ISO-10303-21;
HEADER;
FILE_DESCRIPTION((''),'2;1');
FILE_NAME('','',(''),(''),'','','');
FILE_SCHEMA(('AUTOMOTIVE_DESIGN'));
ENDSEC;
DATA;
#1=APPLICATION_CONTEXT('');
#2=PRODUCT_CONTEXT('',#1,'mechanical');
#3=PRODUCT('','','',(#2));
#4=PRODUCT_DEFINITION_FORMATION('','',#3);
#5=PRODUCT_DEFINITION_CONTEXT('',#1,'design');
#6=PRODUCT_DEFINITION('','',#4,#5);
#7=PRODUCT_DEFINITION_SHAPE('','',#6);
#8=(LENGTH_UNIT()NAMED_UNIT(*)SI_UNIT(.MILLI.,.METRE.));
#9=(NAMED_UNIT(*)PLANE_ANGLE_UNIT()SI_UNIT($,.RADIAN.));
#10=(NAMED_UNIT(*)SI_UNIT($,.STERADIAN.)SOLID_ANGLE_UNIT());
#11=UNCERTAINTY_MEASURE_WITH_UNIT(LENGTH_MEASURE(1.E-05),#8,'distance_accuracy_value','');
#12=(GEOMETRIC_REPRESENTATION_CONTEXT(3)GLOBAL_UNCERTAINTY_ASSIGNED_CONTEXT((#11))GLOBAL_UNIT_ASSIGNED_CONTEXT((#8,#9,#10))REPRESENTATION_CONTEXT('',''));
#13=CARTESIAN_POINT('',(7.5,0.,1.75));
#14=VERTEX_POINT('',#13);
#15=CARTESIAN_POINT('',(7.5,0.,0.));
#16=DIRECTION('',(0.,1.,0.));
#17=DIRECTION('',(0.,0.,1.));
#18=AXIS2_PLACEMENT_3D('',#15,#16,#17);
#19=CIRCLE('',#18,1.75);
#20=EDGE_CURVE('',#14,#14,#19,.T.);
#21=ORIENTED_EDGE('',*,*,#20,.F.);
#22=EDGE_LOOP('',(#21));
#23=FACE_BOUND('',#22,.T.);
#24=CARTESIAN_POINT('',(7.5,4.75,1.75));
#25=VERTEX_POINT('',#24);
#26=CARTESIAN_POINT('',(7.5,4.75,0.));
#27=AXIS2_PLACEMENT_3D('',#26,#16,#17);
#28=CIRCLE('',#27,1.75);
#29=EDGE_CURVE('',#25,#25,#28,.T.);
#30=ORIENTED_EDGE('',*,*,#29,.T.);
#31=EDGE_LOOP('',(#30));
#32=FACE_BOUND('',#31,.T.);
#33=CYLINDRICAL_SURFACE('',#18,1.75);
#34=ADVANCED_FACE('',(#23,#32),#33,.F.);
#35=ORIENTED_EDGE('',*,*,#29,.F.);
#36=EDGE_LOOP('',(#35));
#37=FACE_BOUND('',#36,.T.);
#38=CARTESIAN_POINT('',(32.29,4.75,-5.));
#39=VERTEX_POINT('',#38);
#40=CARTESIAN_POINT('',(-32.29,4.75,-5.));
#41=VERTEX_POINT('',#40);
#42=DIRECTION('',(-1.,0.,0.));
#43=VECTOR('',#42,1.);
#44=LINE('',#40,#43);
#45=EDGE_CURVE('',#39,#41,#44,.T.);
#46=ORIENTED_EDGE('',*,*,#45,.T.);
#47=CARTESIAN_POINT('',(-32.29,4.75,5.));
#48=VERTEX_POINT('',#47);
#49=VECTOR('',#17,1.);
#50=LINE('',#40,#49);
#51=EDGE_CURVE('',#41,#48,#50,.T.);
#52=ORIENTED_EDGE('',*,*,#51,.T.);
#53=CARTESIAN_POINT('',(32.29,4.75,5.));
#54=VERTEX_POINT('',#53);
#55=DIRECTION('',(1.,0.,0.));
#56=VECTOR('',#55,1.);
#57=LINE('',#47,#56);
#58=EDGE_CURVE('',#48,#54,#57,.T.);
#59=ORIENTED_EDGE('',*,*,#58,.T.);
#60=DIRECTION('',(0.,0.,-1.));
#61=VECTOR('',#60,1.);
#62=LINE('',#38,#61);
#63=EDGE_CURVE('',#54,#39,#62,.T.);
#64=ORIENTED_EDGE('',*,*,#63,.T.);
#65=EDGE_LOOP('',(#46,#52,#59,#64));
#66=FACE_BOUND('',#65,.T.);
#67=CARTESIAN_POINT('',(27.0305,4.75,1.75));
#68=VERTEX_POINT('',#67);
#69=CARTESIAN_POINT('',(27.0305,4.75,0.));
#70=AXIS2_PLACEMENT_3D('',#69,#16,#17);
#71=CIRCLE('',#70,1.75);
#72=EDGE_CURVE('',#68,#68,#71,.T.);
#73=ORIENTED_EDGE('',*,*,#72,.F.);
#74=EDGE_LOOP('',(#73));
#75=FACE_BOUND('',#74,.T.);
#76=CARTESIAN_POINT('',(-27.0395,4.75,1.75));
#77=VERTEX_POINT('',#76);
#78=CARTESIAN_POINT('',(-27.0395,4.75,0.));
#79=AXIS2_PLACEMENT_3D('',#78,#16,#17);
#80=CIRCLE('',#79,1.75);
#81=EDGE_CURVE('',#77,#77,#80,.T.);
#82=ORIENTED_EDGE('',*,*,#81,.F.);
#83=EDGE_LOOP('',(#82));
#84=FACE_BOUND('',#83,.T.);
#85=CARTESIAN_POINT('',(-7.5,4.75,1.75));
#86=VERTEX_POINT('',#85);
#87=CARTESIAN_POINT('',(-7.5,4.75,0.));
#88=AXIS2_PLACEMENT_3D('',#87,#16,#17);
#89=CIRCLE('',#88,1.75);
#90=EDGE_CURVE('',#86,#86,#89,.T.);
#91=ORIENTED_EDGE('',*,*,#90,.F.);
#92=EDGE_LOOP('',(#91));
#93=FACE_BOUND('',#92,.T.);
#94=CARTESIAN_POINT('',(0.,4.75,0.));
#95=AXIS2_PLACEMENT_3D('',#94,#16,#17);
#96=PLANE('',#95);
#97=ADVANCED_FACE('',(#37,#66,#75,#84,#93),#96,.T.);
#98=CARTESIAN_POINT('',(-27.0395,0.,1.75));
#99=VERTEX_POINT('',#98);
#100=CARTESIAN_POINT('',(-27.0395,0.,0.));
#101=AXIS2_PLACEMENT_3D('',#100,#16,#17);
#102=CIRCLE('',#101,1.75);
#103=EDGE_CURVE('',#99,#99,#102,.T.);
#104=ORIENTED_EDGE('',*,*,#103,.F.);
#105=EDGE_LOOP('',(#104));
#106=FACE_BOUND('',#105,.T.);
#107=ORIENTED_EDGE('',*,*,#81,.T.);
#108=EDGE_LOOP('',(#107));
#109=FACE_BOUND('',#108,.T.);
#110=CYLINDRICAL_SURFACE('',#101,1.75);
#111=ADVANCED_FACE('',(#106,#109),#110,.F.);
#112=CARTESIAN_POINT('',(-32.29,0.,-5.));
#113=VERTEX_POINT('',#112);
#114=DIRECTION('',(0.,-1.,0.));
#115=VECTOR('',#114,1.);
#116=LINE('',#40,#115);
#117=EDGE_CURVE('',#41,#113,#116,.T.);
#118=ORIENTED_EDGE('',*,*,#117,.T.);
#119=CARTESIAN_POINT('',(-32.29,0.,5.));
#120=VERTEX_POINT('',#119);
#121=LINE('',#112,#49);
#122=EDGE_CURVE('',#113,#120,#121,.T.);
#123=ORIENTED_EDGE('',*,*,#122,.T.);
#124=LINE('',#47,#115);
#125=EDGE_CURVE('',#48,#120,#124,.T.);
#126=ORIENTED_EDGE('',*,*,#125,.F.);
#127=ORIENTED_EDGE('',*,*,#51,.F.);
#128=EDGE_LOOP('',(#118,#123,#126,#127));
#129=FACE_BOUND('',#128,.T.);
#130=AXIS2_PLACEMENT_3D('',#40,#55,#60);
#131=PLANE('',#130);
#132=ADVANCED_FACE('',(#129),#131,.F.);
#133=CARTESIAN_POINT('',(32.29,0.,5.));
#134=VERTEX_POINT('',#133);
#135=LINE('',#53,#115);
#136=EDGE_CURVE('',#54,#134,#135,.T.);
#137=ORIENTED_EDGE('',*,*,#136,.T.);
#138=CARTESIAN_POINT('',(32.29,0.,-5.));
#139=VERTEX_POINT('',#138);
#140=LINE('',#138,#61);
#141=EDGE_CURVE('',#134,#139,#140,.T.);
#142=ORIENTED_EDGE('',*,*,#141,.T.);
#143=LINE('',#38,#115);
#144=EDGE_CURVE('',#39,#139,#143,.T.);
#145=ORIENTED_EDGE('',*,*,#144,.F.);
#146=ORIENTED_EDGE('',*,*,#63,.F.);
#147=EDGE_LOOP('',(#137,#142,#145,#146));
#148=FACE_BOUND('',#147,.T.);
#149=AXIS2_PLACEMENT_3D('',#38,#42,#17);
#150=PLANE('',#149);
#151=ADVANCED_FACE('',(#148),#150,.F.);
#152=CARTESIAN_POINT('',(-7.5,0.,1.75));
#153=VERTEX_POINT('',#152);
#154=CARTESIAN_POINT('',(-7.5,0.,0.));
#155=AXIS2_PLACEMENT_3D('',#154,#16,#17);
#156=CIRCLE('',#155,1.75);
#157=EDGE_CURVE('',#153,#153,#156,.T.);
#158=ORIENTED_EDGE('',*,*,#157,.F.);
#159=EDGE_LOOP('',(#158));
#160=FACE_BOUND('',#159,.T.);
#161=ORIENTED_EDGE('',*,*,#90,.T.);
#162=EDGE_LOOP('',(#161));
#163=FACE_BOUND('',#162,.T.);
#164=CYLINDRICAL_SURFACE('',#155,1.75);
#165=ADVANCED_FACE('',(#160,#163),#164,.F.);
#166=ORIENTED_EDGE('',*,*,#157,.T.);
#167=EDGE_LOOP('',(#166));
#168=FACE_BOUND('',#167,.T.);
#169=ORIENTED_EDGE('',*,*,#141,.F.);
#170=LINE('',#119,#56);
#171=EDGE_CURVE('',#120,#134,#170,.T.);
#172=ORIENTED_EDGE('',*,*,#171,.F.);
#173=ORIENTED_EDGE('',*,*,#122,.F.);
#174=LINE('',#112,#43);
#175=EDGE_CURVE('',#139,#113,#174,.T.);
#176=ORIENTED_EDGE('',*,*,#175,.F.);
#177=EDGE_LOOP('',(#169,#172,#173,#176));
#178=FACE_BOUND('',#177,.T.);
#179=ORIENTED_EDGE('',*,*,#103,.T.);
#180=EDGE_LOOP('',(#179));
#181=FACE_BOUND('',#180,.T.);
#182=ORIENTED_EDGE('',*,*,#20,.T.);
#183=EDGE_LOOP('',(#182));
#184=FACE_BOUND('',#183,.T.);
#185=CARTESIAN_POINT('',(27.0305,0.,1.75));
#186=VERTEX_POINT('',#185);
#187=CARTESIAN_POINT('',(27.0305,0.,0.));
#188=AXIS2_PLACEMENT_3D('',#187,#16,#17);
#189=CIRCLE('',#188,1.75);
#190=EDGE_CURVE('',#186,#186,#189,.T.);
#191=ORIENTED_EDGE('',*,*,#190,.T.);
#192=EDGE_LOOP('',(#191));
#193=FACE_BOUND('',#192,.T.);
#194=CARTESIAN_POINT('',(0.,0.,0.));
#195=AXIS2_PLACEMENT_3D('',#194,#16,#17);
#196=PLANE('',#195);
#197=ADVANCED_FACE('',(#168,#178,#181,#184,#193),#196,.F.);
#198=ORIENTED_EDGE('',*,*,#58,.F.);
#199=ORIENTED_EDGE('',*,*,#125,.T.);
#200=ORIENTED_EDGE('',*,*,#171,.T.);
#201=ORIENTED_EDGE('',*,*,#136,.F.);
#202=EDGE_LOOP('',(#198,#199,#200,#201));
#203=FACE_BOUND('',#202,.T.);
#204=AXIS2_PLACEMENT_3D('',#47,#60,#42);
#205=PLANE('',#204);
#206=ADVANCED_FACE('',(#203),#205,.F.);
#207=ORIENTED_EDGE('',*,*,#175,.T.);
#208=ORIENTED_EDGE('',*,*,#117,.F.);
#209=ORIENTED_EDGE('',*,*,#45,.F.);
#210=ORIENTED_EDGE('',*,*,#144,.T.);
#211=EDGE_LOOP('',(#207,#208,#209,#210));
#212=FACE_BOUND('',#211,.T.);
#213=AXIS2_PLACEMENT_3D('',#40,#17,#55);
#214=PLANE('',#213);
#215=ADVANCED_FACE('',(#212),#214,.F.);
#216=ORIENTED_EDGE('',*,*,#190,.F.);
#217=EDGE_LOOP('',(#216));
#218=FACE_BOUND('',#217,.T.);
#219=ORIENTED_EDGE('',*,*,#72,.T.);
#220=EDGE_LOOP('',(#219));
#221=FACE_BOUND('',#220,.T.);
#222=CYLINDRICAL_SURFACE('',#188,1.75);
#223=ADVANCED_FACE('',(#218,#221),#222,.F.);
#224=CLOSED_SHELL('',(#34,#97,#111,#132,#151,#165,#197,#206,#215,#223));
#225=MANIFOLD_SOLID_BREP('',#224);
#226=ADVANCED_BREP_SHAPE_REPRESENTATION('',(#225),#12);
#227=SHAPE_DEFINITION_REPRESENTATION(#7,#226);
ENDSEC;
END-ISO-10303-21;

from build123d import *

# Parameters (mm, degrees)
SKETCH_V_W          = 64.58
SKETCH_V_H          = 10
BOSS_EXTRUDE1_DEPTH = 4.75
SKETCH2_R           = 1.75
CUT_EXTRUDE1_DEPTH  = 34.018276757


with BuildPart() as part:
    # Sketch v → Boss-Extrude1 (new body)
    with BuildSketch(Plane(origin=(0, 0, 0), x_dir=(1, 0, 0), z_dir=(0, 1, 0))):
        Rectangle(SKETCH_V_W, SKETCH_V_H)
    extrude(amount=BOSS_EXTRUDE1_DEPTH)

    # Sketch2 → Cut-Extrude1 (cut, through all)
    with BuildSketch(Plane(origin=(0, 4.75, 0), x_dir=(1, 0, 0), z_dir=(0, 1, 0))):
        with Locations(Location((-27.0395, 0, 0), (0, 0, 270))):
            Circle(SKETCH2_R)
        with Locations(Location((27.0305, 0, 0), (0, 0, 270))):
            Circle(SKETCH2_R)
        with Locations(Location((7.5, 0, 0), (0, 0, 270))):
            Circle(SKETCH2_R)
        with Locations(Location((-7.5, 0, 0), (0, 0, 270))):
            Circle(SKETCH2_R)
    extrude(amount=-CUT_EXTRUDE1_DEPTH, mode=Mode.SUBTRACT)


solid = part.part
